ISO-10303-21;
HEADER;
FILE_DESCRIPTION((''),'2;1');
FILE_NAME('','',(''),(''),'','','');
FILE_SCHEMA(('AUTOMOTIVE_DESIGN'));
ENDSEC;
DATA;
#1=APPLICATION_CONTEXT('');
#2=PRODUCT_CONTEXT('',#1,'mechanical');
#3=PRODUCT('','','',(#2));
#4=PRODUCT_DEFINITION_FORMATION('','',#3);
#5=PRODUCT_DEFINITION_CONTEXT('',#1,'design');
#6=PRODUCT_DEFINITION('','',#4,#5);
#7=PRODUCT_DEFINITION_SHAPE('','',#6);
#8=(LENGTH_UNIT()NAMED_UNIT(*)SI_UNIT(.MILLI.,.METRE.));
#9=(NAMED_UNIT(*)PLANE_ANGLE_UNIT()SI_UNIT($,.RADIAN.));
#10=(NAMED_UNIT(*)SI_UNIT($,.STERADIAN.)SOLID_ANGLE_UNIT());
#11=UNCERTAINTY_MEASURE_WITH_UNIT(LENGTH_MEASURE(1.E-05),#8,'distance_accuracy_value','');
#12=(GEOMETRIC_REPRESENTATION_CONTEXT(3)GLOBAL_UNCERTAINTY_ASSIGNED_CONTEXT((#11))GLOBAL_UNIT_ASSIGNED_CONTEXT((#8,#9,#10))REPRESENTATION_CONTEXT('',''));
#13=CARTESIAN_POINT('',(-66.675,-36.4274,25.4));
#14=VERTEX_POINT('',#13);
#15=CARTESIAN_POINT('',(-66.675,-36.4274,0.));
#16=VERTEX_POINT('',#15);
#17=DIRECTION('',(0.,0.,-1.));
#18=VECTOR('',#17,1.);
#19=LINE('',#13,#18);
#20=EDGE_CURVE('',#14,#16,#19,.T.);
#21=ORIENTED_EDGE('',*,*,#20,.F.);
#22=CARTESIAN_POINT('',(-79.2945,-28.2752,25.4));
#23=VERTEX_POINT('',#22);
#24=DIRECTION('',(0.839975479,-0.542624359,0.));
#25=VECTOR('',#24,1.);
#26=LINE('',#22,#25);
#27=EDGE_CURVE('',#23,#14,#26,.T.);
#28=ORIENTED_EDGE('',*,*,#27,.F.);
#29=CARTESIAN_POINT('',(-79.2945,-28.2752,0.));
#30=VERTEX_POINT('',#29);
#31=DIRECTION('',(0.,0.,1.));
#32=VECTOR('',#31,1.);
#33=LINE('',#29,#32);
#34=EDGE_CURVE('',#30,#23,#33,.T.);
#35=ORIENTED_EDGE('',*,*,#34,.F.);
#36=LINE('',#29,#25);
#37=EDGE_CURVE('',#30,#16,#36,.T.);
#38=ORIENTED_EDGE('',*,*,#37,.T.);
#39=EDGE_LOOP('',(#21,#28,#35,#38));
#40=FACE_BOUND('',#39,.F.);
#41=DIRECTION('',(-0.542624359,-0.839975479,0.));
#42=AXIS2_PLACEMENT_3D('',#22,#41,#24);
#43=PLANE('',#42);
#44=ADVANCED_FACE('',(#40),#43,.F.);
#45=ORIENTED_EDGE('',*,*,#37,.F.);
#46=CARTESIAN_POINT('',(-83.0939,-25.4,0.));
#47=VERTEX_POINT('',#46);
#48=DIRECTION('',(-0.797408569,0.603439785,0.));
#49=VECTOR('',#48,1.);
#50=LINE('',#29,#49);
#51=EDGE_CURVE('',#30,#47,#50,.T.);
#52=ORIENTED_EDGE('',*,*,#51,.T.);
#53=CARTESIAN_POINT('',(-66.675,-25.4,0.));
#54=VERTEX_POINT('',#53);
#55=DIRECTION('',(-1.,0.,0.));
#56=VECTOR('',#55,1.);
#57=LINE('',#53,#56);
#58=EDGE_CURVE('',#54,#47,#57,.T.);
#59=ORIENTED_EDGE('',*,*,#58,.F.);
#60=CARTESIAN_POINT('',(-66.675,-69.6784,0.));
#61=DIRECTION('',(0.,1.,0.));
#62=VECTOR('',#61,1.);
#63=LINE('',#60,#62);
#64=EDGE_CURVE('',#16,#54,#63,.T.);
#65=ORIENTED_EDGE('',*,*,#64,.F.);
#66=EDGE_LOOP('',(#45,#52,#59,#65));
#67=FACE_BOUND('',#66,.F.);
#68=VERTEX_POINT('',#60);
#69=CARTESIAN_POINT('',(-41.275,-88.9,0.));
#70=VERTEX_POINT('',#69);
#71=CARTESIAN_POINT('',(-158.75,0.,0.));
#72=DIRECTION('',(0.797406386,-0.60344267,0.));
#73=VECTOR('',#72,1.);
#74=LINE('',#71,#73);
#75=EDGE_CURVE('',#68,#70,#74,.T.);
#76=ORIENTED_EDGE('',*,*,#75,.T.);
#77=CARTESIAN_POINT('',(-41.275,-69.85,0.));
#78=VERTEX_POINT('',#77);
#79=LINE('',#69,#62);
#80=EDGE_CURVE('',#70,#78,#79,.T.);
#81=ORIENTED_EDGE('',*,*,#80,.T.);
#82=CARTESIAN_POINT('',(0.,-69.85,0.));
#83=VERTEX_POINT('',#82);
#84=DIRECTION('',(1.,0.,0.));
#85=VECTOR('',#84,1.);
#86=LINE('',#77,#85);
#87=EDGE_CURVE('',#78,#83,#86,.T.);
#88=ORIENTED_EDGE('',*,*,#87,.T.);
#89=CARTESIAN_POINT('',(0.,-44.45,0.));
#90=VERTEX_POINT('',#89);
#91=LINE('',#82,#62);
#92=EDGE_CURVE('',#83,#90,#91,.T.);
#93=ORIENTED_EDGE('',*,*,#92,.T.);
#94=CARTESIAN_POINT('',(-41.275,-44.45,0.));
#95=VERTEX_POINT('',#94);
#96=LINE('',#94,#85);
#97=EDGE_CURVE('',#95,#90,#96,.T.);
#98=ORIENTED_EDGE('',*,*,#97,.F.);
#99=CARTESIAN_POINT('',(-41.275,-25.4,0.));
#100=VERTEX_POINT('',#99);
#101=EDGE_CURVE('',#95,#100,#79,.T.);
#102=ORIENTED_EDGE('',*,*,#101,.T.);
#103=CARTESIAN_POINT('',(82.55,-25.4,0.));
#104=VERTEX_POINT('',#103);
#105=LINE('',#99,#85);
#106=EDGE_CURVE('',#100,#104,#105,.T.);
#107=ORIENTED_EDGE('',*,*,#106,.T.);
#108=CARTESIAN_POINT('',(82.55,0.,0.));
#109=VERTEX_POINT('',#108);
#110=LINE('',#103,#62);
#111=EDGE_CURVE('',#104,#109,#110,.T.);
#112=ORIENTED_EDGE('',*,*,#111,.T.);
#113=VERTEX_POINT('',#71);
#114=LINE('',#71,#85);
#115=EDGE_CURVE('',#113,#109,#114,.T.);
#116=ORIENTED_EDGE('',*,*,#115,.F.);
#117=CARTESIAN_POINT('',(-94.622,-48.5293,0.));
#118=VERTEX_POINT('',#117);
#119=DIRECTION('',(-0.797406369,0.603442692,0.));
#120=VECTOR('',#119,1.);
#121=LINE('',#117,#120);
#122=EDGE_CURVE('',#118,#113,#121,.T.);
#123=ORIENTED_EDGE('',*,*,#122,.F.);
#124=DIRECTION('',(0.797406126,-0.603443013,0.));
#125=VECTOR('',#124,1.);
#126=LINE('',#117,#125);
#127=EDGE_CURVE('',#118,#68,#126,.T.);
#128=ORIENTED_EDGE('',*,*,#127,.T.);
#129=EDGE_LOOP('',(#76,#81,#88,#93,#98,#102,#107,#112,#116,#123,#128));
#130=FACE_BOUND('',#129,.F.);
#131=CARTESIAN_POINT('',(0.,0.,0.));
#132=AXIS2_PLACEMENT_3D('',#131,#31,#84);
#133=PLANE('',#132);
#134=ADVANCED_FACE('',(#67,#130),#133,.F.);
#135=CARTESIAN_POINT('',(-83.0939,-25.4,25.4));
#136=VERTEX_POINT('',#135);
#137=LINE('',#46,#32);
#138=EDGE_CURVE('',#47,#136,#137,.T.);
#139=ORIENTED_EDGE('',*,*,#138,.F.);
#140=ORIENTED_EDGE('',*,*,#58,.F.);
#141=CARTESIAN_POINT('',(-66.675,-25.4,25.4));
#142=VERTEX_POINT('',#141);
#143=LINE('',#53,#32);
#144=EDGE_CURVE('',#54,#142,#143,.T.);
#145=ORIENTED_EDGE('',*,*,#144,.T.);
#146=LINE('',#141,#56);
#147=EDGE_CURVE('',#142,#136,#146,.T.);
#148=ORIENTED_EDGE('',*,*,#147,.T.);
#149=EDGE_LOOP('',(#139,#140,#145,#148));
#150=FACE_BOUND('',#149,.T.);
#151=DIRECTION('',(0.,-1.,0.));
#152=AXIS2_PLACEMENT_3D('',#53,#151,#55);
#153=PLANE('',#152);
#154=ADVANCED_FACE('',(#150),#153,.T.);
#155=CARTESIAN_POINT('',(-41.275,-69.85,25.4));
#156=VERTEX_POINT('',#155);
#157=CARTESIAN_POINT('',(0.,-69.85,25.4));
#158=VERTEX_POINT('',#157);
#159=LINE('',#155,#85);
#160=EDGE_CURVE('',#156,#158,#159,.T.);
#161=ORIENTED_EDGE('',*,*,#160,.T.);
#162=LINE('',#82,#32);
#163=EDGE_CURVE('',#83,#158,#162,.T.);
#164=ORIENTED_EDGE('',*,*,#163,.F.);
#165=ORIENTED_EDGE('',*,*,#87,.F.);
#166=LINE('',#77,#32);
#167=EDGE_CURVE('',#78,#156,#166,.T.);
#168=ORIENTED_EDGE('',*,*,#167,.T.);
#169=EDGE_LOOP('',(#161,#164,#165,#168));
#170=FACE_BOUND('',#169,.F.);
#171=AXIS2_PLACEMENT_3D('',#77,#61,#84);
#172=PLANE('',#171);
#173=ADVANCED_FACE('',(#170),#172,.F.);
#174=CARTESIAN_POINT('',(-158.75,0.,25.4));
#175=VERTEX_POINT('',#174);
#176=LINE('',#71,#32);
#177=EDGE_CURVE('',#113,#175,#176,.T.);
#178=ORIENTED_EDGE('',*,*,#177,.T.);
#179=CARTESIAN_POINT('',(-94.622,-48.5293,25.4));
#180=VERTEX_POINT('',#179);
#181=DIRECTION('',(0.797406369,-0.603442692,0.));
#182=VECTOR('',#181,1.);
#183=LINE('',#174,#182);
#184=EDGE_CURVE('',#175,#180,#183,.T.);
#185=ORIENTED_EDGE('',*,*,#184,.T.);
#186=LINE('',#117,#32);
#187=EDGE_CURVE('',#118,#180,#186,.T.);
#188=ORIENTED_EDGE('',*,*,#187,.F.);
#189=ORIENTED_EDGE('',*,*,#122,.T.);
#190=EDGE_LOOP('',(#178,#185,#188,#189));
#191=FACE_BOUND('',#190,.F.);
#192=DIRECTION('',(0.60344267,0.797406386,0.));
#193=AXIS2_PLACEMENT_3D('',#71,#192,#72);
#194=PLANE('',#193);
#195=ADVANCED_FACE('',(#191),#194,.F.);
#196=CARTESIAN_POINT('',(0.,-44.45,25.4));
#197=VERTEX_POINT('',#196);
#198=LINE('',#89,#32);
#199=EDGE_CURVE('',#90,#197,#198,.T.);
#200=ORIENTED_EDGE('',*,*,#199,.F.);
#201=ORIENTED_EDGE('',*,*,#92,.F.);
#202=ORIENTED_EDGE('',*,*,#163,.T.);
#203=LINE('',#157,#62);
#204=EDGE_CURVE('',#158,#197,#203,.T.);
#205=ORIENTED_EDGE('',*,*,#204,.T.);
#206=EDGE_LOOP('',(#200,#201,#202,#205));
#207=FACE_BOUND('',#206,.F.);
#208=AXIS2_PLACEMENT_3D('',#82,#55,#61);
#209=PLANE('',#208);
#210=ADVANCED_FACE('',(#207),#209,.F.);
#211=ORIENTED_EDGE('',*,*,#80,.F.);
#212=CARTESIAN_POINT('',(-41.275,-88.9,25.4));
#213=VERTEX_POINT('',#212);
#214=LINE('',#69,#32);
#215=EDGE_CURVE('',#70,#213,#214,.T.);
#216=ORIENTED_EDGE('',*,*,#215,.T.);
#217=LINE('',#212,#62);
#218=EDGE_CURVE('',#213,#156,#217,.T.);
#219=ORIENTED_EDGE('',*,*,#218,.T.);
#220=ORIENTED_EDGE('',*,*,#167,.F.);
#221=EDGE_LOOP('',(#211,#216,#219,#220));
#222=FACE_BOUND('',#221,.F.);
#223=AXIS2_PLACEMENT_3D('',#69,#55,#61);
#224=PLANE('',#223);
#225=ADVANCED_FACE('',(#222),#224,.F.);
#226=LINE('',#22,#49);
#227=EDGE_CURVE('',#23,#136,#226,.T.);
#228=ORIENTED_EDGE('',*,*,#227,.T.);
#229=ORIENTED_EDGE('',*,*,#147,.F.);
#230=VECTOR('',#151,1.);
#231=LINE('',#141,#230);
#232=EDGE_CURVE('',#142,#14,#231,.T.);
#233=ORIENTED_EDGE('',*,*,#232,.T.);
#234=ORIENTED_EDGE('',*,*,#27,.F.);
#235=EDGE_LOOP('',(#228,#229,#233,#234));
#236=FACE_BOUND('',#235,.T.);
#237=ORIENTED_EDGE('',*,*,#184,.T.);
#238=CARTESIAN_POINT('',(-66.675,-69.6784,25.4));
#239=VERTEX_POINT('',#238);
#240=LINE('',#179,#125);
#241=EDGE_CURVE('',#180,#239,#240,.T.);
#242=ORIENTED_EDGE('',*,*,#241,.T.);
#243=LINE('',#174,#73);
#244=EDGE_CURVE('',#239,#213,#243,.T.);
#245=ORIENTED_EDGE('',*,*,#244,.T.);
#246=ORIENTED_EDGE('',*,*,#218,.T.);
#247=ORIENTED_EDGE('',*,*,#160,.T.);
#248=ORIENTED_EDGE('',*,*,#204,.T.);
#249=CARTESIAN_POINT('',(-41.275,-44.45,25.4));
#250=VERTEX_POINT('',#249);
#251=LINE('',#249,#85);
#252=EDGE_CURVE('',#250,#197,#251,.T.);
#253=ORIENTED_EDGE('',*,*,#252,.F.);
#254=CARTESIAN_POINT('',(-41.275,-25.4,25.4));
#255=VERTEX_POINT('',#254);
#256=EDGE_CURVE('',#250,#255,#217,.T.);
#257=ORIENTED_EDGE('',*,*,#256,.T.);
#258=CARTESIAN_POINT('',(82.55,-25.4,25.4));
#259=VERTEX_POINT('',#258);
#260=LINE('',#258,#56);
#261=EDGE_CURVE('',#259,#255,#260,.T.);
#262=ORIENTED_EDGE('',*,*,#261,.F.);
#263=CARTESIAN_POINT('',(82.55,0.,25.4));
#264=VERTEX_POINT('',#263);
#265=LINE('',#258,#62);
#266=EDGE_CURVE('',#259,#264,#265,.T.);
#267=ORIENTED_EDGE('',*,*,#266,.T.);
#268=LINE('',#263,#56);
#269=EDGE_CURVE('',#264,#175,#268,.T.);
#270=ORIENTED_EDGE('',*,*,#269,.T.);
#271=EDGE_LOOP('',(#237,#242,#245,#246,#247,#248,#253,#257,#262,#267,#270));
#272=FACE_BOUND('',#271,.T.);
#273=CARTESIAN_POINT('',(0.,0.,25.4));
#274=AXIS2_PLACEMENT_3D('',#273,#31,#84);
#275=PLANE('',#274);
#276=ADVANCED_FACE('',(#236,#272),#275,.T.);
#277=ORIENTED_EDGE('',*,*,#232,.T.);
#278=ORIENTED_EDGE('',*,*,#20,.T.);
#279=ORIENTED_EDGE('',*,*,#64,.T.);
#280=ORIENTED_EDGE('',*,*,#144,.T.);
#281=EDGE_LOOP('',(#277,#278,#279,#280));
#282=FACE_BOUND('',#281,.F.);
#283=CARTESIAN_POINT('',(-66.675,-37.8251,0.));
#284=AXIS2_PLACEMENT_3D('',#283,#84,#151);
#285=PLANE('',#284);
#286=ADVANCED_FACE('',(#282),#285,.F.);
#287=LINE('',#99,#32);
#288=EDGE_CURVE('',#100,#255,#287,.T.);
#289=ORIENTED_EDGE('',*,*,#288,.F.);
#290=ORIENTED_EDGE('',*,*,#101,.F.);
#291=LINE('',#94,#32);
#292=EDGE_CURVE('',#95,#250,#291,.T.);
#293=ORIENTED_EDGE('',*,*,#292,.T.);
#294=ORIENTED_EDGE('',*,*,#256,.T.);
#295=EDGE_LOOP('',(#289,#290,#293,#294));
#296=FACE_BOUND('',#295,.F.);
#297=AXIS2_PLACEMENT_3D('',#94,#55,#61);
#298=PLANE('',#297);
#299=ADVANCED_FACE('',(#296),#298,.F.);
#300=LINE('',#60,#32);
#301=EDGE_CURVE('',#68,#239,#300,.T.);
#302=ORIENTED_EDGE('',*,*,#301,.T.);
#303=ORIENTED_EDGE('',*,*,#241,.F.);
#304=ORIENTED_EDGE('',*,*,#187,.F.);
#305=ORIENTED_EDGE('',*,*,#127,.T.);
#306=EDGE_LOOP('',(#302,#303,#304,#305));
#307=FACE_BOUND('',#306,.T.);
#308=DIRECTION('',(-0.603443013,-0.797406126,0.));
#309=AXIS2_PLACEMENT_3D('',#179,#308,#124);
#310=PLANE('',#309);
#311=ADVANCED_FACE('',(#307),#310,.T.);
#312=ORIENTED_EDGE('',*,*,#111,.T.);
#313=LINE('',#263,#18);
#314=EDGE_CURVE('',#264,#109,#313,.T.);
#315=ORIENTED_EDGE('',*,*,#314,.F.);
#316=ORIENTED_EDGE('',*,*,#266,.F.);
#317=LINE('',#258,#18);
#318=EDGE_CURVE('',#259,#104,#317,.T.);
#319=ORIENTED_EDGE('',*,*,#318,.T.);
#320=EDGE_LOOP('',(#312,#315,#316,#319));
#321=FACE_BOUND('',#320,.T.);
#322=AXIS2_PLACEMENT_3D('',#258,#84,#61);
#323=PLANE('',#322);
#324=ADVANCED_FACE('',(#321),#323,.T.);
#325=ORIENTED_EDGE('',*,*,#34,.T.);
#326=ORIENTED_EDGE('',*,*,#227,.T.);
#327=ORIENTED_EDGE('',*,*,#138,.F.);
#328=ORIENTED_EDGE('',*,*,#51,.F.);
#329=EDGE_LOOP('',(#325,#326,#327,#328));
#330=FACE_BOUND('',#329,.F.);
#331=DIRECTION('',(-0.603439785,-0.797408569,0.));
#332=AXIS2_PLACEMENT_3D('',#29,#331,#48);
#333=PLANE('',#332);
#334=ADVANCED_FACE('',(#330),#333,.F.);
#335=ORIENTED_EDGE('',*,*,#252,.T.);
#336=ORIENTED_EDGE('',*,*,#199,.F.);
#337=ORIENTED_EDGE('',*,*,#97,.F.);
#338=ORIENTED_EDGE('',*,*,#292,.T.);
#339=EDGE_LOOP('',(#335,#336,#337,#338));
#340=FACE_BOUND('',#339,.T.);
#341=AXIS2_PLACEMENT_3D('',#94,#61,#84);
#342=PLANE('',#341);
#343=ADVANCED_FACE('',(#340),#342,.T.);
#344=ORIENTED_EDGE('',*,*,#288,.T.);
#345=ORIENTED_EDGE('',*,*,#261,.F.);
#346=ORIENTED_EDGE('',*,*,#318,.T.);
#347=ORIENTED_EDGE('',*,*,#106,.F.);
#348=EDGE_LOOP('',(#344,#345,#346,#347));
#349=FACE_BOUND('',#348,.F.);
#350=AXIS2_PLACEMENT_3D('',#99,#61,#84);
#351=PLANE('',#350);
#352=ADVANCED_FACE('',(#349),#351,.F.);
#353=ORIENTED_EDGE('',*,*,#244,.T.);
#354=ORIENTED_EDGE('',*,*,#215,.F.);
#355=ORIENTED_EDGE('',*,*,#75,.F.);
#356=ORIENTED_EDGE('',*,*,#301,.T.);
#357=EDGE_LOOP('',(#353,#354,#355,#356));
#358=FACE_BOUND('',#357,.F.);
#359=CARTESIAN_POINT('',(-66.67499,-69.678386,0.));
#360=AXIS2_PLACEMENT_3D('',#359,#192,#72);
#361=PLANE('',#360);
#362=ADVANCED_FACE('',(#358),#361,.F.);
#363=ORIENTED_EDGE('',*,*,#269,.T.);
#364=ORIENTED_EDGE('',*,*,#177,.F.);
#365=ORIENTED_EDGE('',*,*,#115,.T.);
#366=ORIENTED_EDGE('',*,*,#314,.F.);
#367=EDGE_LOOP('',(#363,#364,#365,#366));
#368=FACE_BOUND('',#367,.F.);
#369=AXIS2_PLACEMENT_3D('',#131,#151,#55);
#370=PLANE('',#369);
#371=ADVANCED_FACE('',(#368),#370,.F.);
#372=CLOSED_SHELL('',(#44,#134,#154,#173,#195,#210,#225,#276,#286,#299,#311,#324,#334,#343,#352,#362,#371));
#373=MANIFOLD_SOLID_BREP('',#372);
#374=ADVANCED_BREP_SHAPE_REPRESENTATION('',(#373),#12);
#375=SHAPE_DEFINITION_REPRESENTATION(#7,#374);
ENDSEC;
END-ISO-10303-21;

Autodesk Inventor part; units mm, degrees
ref_plane "YZ Plane" through (0, 0, 0) normal (1, 0, 0) x (0, 1, 0)
ref_plane "XZ Plane" through (0, 0, 0) normal (0, 1, 0) x (-1, 0, 0)
ref_plane "XY Plane" through (0, 0, 0) normal (0, 0, 1) x (1, 0, 0)
sketch "Sketch1" plane through (0, 0, 0) normal (0, 0, 1) x (1, 0, 0)
  line L0 (0, 0) -> (-158.75, 0)
  line L1 (-158.75, 0) -> (-41.275, -88.9)
  line L2 (-41.275, -88.9) -> (-41.275, -25.4)
  line L3 (-41.275, -88.9) -> (-41.275, -69.85)
  line L4 (-41.275, -69.85) -> (0, -69.85)
  line L5 (0, -69.85) -> (0, 0)
  line L6 (-41.275, 0) -> (-66.675, 0)
  line L7 (-66.675, -25.4) -> (-125.1857, -25.4)
  line L8 (-94.622, -48.5293) -> (-79.2945, -28.2752)
  line L9 (-79.2945, -28.2752) -> (-83.0939, -25.4)
  line L10 (-79.2945, -28.2752) -> (-66.675, -37.8251)
  line L11 (-41.275, -69.85) -> (-41.275, -44.45)
  line L12 (-41.275, -44.45) -> (0, -44.45)
  line L13 (0, 0) -> (0, -25.4)
  line L14 (-41.275, -25.4) -> (0, -25.4)
  line L15 (0, -25.4) -> (88.9, -25.4)
  line L16 (88.9, -25.4) -> (88.9, 0)
  line L17 (88.9, 0) -> (0, 0)
  line L18 (-66.675, -25.4) -> (-66.675, -69.6784)
  line L19 (-66.675, -25.4) -> (-41.275, -25.4)
  dimension "d0" = 158.75
  dimension "d1" = 88.9
  dimension "d2" = 41.275
  dimension "d3" = 19.05
  dimension "d5" = 25.4
  dimension "d6" = 25.4
  dimension "d7" = 25.4
  dimension "d8" = 25.4
  dimension "d9" = 88.9
  dimension "d12" = 25.4
  dimension "d13" = 247.65
  dimension "d19" = 142.883
  dimension "d20" = 37.117
  dimension "d21" = 52.883
  dimension "d22" = 147.3214
  dimension "d23" = 42.0918
extrude "Extrusion2" add sketch "Sketch1" along normal blind 25.4 contours L5 L14 L19 L7 L1 L0 | L5 L4 L2 L12 | L2 L1 L18 L19 | L7 L9 L8 L1
sketch "Sketch4" plane through (0, 0, 25.4) normal (0, 0, 1) x (1, 0, 0)
  line L0 (0, -25.4) -> (0, 0) projected
  line L1 (0, 0) -> (-158.75, 0) projected
  line L2 (-94.622, -48.5293) -> (-79.2945, -28.2752) projected
  line L3 (-66.675, -25.4) -> (-66.675, -69.6784) projected
  line L4 (-66.675, -69.6784) -> (-41.275, -88.9) projected
  line L5 (-41.275, -88.9) -> (-41.275, -69.85) projected
  line L6 (-79.2945, -28.2752) -> (-66.675, -36.4274)
  line L7 (-94.622, -48.5293) -> (-66.675, -69.6784)
  line L8 (0, -25.4) -> (82.55, -25.4)
  line L9 (82.55, -25.4) -> (82.55, 0)
  line L10 (82.55, 0) -> (0, 0)
  dimension "d16" = 82.55
extrude "Extrusion3" add sketch "Sketch4" against normal blind 25.4
sketch "Sketch5" plane through (0, 0, 25.4) normal (0, 0, 1) x (1, 0, 0)
  line L0 (-158.75, 0) -> (-41.275, -88.9) projected
  line L1 (-41.275, -88.9) -> (-41.275, -69.85) projected
  line L2 (-41.275, -69.85) -> (0, -69.85) projected
  line L3 (0, -69.85) -> (0, -44.45) projected
  line L4 (0, -44.45) -> (-41.275, -44.45) projected
  line L5 (-41.275, -44.45) -> (-41.275, -25.4) projected
  line L6 (-41.275, -25.4) -> (82.55, -25.4) projected
  line L7 (82.55, -25.4) -> (82.55, 0) projected
  line L8 (82.55, 0) -> (-158.75, 0) projected
  line L9 (-66.675, -36.4274) -> (-79.2945, -28.2752) projected
  line L10 (-79.2945, -28.2752) -> (-83.0939, -25.4) projected
  line L11 (-83.0939, -25.4) -> (-66.675, -25.4) projected
  line L12 (-66.675, -25.4) -> (-66.675, -36.4274) projected
  point P0 (0, 0)
properties part number "wedger"
